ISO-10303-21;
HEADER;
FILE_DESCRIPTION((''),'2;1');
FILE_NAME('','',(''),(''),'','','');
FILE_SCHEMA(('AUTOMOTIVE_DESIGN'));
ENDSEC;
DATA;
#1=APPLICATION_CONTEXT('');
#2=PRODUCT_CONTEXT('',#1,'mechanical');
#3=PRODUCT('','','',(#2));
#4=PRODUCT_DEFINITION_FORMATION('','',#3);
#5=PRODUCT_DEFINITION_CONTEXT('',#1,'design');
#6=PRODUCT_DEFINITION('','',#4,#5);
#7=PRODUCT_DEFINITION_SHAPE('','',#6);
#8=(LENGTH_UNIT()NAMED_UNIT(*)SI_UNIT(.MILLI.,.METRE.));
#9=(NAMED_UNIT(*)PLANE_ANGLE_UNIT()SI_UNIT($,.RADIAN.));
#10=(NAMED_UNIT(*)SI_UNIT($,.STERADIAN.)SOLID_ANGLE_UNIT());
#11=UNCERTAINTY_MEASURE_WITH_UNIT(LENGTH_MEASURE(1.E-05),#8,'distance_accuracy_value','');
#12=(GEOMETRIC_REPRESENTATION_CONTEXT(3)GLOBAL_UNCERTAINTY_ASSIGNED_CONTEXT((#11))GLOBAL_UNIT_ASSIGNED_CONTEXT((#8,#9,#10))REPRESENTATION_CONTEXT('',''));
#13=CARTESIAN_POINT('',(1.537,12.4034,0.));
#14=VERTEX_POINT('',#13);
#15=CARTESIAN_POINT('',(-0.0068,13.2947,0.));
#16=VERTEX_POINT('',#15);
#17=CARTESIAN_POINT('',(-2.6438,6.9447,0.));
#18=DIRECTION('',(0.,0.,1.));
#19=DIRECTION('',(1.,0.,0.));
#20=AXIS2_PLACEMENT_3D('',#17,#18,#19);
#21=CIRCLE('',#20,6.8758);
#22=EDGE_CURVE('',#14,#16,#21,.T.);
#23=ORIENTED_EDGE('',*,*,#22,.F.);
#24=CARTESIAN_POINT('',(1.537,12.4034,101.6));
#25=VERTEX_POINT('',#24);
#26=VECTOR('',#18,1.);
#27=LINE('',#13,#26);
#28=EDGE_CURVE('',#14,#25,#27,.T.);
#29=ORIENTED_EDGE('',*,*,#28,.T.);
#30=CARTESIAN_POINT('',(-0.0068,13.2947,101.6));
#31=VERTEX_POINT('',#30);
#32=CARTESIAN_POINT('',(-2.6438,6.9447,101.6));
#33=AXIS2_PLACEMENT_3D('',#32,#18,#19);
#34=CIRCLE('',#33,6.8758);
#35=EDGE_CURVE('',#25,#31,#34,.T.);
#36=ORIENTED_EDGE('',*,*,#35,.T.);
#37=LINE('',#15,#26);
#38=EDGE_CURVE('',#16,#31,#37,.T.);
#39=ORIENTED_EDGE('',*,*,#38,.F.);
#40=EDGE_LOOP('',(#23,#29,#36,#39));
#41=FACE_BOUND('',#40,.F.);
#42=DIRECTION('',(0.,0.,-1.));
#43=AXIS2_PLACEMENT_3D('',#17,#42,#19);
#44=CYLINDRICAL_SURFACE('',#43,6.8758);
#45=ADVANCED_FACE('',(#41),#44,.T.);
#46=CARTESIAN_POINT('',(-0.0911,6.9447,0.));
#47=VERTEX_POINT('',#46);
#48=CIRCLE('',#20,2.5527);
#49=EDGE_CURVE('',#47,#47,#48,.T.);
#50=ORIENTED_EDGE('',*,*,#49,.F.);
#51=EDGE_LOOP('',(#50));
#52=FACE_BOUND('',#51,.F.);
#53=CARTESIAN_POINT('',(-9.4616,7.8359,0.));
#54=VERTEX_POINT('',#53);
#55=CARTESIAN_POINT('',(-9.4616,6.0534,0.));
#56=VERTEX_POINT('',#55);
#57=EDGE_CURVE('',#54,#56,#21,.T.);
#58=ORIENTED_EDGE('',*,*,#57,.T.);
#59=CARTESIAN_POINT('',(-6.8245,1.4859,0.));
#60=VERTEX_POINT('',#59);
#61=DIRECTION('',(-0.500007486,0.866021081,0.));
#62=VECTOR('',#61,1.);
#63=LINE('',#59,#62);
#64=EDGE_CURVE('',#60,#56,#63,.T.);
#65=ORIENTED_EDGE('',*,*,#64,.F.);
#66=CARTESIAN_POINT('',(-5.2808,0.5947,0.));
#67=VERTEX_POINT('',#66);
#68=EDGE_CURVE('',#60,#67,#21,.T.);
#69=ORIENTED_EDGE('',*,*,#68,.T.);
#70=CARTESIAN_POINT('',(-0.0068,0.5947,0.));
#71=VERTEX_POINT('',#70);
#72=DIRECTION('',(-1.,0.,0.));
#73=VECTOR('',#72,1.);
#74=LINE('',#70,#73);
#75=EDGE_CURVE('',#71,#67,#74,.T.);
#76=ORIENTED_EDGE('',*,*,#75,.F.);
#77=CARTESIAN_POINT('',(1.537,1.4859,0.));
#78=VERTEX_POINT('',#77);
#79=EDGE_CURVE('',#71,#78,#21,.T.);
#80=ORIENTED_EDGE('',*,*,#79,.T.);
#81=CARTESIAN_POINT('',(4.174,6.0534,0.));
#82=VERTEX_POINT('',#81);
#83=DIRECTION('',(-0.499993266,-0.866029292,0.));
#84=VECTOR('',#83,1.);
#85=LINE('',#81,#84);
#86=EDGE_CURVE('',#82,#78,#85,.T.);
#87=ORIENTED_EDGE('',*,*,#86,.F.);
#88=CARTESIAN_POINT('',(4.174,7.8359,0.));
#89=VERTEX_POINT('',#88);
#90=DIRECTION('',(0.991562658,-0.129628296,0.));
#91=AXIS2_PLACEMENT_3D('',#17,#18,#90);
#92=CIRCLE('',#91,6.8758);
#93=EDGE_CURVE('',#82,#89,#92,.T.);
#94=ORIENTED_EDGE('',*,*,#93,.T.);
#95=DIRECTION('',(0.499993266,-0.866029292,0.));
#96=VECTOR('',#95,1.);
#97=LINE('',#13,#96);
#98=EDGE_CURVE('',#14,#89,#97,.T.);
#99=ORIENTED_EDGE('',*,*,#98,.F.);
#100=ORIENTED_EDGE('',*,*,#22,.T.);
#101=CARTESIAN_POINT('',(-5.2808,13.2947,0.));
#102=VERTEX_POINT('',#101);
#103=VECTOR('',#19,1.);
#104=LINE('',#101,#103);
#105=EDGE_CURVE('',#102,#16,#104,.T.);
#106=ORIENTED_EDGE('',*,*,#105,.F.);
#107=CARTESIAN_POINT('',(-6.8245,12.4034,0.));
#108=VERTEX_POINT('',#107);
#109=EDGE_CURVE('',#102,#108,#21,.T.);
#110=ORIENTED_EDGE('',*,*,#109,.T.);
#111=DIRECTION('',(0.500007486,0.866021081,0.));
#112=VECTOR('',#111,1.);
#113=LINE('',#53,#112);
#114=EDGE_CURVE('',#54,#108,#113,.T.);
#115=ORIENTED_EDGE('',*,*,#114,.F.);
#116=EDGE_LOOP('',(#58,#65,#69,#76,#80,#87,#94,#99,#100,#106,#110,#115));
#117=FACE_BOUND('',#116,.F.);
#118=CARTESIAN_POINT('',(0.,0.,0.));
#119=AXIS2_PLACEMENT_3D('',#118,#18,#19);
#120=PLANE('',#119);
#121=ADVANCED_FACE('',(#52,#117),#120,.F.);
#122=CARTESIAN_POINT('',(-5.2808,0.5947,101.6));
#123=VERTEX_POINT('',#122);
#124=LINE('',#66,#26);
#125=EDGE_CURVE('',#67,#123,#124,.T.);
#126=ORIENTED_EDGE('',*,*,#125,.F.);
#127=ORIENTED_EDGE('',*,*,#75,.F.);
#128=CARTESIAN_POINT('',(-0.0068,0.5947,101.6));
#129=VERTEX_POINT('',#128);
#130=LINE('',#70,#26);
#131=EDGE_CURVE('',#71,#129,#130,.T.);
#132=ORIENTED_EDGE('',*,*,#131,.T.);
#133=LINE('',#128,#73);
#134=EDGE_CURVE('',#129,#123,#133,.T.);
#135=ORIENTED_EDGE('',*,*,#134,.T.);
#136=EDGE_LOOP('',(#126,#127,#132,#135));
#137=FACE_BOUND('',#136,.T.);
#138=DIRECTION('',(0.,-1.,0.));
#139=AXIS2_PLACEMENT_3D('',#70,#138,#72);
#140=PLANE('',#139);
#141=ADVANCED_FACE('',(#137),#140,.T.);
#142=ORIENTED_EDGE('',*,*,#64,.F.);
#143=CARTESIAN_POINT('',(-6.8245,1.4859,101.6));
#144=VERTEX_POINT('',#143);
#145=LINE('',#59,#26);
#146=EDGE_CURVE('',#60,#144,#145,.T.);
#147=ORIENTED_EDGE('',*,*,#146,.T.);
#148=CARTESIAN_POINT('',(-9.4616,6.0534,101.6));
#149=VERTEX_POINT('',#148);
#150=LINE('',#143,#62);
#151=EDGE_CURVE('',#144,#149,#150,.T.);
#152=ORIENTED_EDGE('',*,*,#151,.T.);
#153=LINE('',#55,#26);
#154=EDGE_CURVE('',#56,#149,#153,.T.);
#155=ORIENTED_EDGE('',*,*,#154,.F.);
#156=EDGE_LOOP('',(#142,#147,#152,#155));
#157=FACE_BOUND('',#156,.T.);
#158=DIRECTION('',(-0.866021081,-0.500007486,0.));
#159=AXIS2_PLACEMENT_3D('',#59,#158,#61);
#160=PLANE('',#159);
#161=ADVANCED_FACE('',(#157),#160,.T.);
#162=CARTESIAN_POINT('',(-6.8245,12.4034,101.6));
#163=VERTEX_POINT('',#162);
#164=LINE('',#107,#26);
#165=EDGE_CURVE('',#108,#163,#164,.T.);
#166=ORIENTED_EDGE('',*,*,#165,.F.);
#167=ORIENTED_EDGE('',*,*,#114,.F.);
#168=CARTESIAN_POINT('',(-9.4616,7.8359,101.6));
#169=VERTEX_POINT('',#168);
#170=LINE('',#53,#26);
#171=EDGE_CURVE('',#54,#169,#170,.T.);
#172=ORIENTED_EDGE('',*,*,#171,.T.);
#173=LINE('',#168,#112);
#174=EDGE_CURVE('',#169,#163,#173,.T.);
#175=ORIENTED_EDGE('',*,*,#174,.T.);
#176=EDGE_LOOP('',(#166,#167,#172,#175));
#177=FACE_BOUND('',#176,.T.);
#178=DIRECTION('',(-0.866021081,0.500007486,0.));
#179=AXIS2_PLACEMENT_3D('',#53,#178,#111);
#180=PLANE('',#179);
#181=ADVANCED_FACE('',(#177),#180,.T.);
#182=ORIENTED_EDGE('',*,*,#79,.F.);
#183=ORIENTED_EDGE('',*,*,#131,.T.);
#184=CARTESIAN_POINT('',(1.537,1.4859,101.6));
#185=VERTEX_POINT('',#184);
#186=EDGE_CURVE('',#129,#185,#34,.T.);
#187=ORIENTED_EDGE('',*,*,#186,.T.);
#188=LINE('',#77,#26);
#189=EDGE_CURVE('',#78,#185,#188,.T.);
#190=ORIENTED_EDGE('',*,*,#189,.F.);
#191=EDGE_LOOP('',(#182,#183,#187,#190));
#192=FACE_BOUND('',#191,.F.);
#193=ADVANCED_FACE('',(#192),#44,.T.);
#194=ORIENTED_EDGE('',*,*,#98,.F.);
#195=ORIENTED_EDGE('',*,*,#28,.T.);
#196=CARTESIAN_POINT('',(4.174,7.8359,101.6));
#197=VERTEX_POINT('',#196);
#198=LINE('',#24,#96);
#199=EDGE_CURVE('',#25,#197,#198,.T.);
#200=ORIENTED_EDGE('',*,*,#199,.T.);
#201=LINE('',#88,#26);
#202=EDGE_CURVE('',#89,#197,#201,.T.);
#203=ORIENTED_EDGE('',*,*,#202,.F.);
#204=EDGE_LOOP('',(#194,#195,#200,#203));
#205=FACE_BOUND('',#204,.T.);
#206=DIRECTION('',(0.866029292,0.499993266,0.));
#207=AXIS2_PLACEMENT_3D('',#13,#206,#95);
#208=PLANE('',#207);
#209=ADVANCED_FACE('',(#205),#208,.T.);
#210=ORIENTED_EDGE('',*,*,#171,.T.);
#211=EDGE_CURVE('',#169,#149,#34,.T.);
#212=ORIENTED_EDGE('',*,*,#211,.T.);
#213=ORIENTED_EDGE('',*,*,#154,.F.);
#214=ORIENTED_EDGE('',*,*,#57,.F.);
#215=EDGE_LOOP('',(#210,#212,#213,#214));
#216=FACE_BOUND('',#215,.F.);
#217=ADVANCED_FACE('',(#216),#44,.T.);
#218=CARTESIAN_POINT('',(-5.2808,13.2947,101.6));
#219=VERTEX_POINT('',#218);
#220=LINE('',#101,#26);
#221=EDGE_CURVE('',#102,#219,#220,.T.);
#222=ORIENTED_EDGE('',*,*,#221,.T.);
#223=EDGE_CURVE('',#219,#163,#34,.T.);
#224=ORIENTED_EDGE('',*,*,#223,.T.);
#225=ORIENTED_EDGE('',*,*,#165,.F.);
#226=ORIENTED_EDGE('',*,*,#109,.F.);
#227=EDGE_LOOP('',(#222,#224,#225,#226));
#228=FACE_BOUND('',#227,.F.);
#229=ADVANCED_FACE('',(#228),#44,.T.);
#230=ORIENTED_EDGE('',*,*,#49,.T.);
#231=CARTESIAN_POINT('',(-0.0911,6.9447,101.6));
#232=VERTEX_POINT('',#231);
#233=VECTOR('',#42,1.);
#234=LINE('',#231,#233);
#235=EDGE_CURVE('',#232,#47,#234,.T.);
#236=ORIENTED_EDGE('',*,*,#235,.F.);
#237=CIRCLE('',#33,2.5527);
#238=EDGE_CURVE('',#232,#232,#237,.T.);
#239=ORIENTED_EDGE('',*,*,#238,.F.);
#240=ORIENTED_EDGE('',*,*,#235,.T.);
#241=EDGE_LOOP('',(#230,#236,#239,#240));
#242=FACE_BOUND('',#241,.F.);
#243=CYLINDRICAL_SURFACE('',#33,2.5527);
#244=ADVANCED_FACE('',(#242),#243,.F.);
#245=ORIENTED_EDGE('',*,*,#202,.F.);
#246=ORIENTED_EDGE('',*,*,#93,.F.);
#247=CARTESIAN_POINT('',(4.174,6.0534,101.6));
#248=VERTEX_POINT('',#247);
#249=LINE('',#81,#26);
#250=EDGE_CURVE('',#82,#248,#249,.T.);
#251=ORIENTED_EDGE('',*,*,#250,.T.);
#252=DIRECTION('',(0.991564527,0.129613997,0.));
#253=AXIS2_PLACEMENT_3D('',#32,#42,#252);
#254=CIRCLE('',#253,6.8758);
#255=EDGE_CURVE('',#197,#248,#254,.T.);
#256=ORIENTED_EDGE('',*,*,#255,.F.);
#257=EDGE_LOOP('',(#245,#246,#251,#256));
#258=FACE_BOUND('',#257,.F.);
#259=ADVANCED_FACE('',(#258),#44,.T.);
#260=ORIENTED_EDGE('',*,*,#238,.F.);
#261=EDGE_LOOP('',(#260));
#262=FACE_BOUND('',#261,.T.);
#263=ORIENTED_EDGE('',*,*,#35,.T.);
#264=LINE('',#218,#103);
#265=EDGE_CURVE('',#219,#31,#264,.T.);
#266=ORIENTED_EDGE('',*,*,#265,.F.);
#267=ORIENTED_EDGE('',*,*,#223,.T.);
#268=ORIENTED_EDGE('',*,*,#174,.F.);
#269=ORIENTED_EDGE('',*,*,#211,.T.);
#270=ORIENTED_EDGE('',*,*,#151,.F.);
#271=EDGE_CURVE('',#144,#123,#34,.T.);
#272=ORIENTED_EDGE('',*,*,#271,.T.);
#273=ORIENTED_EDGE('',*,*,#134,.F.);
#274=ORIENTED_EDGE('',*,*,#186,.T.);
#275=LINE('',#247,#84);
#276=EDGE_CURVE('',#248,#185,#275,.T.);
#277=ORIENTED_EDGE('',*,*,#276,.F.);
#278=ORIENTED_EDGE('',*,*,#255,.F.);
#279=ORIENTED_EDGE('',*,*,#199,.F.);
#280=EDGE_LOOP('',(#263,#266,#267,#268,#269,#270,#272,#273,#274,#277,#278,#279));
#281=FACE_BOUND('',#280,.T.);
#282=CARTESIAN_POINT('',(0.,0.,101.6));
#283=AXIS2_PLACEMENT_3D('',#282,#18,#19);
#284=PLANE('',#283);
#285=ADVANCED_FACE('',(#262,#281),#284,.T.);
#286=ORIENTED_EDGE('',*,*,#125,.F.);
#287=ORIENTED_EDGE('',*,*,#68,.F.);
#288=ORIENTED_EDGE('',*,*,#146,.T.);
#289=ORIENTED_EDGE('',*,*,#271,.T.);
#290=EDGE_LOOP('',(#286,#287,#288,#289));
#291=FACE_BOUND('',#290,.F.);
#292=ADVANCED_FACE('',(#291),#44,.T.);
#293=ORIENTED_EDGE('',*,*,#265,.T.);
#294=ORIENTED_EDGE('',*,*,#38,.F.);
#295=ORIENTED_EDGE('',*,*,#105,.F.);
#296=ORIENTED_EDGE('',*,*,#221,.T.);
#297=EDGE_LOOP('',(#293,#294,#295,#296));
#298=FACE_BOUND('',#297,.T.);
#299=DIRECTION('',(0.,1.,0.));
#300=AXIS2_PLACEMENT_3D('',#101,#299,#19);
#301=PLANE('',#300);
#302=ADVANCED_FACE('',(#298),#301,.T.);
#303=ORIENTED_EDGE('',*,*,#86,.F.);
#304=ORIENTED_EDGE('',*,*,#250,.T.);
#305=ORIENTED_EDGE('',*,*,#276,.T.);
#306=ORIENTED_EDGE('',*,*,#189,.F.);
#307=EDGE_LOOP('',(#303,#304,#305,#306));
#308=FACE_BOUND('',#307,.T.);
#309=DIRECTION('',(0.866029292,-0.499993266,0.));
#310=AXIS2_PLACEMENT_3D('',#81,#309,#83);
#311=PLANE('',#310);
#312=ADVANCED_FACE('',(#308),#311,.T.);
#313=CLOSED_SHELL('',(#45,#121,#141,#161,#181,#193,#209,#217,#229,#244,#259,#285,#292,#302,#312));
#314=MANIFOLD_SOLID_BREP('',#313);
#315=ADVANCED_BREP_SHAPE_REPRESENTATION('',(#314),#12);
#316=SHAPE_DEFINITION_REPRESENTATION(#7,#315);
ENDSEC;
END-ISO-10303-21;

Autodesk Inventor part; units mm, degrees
ref_plane "YZ Plane" through (0, 0, 0) normal (1, 0, 0) x (0, 1, 0)
ref_plane "XZ Plane" through (0, 0, 0) normal (0, 1, 0) x (-1, 0, 0)
ref_plane "XY Plane" through (0, 0, 0) normal (0, 0, 1) x (1, 0, 0)
sketch "Sketch1" plane through (0, 0, 0) normal (0, 0, 1) x (1, 0, 0)
  circle A0 centre (-2.6438, 6.9447) radius 6.8758
  line L0 (-9.4616, 7.8359) -> (-6.8245, 12.4034)
  line L1 (-6.8245, 1.4859) -> (-9.4616, 6.0534)
  line L2 (-0.0068, 0.5947) -> (-5.2808, 0.5947)
  line L3 (4.174, 6.0534) -> (1.537, 1.4859)
  line L4 (1.537, 12.4034) -> (4.174, 7.8359)
  line L5 (-5.2808, 13.2947) -> (-0.0068, 13.2947)
  point P0 (0, 0)
  point P1 (1.537, 1.4859)
  dimension "d0" = 13.7516
  dimension "d4" = 360
extrude "Extrusion1" add sketch "Sketch1" along normal blind 101.6 contours A0 L3 L2 L1 L0 L5 L4
sketch "Sketch2" plane through (0, 0, 101.6) normal (0, 0, 1) x (1, 0, 0)
  circle A0 centre (-2.6438, 6.9447) radius 2.5527
  line L0 (-5.2808, 0.5947) -> (-0.0068, 0.5947) projected
  line L1 (-2.6438, 6.9447) -> (-5.2808, 0.5947) construction
  line L2 (-2.6438, 6.9447) -> (-0.0068, 0.5947) construction
  point P0 (0, 0)
  dimension "d8" = 5.1054
  dimension "d9" = 6.35
extrude "Extrusion2" cut sketch "Sketch2" against normal blind 101.6
equation "\"d6\" = d5"
equation "\"d10\" = d5"
equation "\"d5\" = 101.6"
properties part number "indexThundershaft2" material "Aluminum 6061"
